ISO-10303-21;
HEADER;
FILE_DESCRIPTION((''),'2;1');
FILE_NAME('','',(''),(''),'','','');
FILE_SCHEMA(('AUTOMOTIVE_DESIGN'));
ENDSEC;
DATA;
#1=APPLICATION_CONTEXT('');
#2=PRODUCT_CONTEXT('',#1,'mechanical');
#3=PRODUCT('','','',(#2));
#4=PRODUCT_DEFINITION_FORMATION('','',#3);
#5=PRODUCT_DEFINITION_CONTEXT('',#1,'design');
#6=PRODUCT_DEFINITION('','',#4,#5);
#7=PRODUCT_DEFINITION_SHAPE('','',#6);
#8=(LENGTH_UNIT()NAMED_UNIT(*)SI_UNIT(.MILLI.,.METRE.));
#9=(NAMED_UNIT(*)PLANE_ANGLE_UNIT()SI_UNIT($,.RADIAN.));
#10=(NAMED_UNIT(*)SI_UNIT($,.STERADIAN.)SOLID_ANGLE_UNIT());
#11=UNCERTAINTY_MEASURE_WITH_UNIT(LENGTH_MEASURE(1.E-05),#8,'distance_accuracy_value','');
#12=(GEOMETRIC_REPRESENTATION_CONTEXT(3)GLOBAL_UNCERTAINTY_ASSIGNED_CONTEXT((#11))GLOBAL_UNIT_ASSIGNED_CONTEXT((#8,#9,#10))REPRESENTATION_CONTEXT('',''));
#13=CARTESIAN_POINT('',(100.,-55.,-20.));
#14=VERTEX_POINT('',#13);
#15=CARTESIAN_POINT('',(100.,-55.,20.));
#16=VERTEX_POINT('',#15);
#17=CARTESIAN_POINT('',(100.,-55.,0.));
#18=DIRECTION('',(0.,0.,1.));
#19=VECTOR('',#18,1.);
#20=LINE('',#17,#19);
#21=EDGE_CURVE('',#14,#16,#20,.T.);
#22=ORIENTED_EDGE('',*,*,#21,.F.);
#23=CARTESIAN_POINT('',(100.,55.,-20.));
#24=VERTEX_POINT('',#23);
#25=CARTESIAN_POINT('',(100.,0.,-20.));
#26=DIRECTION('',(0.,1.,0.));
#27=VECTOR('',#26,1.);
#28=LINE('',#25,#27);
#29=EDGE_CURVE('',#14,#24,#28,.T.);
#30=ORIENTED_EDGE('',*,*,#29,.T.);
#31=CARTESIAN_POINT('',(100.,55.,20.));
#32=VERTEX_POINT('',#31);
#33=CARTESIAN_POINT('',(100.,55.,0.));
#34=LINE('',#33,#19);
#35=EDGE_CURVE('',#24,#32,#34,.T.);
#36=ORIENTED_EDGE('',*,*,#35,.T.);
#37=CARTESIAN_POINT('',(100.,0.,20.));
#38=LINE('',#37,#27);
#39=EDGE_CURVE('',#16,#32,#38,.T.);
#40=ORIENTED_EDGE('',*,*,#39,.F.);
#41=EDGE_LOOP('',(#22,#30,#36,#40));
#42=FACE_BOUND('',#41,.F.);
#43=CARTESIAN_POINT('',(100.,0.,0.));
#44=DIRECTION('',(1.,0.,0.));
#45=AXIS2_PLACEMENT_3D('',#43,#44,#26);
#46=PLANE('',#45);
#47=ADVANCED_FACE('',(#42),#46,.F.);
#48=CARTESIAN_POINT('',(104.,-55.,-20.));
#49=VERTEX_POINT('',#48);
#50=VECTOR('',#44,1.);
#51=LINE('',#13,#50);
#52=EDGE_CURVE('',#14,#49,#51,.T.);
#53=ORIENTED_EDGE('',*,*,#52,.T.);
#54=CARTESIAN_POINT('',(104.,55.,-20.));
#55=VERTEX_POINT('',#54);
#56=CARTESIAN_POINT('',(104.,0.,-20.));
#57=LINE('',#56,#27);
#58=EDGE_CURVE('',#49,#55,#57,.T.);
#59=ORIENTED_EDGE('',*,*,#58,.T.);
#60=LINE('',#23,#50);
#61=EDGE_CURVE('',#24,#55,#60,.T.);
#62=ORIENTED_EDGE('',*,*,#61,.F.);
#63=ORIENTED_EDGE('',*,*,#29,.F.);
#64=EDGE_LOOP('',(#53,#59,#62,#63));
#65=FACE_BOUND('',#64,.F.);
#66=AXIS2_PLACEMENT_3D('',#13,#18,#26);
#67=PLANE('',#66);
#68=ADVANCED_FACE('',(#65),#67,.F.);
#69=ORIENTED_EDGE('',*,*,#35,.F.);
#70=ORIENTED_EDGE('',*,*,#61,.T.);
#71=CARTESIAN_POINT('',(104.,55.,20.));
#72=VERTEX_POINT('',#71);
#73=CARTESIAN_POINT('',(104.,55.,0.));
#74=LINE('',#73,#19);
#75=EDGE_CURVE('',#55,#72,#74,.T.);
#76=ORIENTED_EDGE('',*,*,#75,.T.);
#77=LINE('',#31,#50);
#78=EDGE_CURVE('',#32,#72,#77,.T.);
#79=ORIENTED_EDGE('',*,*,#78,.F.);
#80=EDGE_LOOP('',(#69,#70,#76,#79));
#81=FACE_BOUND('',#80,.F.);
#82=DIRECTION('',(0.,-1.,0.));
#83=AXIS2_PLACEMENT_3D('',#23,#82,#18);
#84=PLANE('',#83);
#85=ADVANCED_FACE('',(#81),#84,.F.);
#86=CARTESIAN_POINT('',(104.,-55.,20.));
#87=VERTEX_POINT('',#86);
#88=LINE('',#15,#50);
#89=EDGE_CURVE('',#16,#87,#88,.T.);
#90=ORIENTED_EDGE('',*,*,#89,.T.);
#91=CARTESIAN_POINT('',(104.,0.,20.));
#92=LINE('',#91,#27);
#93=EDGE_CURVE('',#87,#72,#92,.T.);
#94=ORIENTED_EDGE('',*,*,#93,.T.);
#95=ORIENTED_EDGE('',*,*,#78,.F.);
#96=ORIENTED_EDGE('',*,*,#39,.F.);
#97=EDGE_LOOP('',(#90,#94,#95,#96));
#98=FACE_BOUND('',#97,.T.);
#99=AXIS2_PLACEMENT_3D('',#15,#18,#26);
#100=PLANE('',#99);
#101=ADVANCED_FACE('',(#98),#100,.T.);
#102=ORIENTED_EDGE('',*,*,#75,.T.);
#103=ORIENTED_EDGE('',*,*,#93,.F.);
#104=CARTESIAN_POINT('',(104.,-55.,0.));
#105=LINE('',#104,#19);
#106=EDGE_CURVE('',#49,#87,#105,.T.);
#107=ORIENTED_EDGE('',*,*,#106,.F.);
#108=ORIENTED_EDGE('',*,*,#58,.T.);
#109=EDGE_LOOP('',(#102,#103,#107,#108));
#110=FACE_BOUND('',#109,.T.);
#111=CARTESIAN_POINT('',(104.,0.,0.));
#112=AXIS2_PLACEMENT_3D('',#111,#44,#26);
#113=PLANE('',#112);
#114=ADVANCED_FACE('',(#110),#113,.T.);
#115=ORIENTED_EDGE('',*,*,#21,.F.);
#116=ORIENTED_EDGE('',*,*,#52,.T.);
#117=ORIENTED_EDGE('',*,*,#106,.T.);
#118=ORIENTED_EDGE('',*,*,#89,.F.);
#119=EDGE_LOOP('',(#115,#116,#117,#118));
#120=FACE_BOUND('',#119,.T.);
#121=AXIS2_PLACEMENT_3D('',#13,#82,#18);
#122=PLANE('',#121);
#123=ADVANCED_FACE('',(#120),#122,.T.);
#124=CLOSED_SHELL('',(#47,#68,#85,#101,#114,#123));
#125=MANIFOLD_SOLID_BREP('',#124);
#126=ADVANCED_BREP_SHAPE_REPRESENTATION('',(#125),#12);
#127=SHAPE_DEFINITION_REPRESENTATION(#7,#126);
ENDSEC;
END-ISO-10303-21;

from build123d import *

# Parameters (mm, degrees)
F1_W     = 110
F1_H     = 40
F2_DEPTH = 4


with BuildPart() as f2:
    # F1 (on offset) → F2 (new body)
    with BuildSketch(Plane.YZ.offset(100)):
        Rectangle(F1_W, F1_H)
    extrude(amount=F2_DEPTH)


solid = f2.part
